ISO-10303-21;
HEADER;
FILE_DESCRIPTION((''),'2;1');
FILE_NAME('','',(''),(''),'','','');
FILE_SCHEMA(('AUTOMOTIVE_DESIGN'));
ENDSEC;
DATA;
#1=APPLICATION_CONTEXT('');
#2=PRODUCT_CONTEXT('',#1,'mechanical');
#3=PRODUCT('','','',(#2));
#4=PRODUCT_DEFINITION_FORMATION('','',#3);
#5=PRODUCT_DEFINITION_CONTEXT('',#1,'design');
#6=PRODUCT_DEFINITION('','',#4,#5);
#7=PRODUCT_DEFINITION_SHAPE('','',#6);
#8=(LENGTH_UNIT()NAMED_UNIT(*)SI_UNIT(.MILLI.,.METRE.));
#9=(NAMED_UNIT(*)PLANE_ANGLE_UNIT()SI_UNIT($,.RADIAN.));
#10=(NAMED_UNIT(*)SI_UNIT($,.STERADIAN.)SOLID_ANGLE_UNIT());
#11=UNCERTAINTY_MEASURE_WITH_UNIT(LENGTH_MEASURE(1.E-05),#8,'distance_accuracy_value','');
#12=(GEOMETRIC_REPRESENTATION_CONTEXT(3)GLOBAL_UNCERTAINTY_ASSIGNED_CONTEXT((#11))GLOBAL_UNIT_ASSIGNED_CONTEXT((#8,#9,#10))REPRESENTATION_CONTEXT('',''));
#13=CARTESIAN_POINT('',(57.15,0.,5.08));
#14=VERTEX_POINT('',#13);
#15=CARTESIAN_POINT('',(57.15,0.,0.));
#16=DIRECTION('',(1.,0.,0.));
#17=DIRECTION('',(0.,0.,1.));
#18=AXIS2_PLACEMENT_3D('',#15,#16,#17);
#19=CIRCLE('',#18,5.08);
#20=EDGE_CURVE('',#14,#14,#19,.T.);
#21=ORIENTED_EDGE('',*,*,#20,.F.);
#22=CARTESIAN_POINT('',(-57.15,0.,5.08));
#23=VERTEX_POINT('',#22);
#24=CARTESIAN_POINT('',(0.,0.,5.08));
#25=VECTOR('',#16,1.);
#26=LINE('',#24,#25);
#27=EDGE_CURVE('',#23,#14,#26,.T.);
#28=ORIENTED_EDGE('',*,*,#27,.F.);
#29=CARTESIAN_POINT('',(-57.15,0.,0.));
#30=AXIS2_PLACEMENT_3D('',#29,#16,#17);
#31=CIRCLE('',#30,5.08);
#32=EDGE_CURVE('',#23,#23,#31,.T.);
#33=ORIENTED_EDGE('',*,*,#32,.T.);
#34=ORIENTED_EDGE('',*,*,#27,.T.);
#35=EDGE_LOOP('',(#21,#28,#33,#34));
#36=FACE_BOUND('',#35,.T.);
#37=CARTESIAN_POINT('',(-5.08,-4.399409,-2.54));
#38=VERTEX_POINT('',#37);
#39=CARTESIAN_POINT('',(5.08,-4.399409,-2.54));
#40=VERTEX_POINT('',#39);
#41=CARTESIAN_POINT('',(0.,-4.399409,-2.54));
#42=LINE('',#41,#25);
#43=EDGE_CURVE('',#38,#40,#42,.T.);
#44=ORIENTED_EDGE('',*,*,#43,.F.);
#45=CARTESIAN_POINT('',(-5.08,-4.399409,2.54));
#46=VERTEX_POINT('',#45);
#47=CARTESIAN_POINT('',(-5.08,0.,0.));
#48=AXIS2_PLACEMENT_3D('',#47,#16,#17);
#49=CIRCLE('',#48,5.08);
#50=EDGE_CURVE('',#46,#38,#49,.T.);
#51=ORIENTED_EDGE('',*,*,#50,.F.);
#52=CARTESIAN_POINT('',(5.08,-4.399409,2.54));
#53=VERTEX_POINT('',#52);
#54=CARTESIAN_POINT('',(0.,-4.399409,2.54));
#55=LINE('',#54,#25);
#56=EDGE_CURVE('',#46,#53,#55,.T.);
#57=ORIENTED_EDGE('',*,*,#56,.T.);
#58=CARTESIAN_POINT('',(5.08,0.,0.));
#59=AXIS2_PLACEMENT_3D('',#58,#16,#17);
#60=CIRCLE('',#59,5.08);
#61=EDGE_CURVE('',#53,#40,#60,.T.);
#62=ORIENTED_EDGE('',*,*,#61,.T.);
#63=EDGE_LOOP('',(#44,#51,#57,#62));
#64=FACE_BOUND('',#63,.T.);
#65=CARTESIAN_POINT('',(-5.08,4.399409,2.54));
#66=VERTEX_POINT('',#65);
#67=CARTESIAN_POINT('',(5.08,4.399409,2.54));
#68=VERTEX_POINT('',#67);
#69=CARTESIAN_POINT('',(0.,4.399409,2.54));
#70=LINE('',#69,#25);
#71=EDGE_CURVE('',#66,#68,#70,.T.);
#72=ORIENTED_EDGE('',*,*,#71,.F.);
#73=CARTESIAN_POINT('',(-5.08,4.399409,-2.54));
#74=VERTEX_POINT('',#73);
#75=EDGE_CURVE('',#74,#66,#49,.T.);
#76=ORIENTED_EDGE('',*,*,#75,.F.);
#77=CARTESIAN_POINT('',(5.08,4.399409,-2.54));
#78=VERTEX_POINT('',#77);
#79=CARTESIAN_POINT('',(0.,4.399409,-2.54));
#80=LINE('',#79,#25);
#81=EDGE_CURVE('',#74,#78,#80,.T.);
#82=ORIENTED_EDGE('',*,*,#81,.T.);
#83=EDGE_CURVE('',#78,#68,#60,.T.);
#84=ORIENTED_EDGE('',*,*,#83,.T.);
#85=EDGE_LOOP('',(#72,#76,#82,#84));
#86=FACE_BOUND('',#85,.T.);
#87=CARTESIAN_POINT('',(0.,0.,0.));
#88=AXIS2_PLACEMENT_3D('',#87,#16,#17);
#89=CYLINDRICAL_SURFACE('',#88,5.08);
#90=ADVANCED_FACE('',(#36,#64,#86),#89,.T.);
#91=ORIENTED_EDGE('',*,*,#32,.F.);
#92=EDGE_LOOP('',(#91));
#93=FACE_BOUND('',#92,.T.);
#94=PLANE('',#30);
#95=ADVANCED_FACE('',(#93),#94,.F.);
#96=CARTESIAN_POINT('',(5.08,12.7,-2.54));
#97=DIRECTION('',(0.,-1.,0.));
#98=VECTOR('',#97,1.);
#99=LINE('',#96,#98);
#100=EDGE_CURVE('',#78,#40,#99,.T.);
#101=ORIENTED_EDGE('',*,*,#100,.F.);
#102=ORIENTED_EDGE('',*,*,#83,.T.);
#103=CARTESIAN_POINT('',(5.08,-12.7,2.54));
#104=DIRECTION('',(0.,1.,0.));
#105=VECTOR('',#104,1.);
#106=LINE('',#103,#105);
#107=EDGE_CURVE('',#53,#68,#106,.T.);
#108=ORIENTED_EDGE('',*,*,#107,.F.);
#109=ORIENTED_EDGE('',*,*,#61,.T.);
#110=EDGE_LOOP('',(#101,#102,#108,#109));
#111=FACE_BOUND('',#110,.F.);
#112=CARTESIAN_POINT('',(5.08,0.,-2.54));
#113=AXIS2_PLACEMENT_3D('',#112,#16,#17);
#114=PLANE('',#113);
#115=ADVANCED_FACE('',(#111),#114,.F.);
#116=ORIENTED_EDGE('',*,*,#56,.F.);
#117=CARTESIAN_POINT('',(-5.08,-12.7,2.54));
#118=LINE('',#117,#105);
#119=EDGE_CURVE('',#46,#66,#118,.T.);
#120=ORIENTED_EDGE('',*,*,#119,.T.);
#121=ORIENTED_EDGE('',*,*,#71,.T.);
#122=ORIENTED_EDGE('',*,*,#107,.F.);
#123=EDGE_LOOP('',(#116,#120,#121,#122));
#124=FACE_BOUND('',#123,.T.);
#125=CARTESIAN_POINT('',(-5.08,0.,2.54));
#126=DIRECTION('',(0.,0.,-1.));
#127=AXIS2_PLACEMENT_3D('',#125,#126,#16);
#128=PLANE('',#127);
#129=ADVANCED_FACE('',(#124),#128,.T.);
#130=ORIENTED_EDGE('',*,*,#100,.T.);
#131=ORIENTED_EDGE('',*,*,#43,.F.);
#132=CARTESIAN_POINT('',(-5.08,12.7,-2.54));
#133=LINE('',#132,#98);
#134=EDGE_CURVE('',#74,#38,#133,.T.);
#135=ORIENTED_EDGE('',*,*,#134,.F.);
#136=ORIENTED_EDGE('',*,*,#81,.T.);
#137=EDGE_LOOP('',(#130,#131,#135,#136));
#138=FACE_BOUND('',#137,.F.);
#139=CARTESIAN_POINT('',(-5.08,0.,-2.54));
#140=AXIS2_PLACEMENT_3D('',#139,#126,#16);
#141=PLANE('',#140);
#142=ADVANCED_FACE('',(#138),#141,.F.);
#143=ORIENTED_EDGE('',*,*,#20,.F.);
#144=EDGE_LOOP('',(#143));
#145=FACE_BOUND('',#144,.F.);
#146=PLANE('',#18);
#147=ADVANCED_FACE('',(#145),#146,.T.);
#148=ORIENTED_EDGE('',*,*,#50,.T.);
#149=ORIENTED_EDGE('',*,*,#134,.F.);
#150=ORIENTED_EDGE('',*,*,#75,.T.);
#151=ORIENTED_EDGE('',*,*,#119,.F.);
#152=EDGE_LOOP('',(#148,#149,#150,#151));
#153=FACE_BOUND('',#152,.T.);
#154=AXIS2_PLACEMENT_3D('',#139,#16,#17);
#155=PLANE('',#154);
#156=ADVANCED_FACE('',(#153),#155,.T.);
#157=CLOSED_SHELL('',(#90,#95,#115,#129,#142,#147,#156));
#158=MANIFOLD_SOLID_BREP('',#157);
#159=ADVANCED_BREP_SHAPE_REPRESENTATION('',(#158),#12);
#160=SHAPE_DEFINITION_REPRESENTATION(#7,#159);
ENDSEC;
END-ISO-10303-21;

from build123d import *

# Parameters (mm, degrees)
F0_W     = 114.3
F0_H     = 5.08
F2_W     = 10.16
F2_H     = 5.08
F3_DEPTH = 12.7


with BuildPart() as f1:
    # F0 (on Front) → F1 (revolve)
    with BuildSketch(Plane.XZ):
        with Locations((0, 2.54)):
            Rectangle(F0_W, F0_H)
    revolve(axis=Axis((0, 0, 0), (1, 0, 0)))

    # F2 (on Front) → F3 (cut, symmetric)
    with BuildSketch(Plane.XZ):
        Rectangle(F2_W, F2_H)
    extrude(amount=F3_DEPTH, both=True, mode=Mode.SUBTRACT)


solid = f1.part
